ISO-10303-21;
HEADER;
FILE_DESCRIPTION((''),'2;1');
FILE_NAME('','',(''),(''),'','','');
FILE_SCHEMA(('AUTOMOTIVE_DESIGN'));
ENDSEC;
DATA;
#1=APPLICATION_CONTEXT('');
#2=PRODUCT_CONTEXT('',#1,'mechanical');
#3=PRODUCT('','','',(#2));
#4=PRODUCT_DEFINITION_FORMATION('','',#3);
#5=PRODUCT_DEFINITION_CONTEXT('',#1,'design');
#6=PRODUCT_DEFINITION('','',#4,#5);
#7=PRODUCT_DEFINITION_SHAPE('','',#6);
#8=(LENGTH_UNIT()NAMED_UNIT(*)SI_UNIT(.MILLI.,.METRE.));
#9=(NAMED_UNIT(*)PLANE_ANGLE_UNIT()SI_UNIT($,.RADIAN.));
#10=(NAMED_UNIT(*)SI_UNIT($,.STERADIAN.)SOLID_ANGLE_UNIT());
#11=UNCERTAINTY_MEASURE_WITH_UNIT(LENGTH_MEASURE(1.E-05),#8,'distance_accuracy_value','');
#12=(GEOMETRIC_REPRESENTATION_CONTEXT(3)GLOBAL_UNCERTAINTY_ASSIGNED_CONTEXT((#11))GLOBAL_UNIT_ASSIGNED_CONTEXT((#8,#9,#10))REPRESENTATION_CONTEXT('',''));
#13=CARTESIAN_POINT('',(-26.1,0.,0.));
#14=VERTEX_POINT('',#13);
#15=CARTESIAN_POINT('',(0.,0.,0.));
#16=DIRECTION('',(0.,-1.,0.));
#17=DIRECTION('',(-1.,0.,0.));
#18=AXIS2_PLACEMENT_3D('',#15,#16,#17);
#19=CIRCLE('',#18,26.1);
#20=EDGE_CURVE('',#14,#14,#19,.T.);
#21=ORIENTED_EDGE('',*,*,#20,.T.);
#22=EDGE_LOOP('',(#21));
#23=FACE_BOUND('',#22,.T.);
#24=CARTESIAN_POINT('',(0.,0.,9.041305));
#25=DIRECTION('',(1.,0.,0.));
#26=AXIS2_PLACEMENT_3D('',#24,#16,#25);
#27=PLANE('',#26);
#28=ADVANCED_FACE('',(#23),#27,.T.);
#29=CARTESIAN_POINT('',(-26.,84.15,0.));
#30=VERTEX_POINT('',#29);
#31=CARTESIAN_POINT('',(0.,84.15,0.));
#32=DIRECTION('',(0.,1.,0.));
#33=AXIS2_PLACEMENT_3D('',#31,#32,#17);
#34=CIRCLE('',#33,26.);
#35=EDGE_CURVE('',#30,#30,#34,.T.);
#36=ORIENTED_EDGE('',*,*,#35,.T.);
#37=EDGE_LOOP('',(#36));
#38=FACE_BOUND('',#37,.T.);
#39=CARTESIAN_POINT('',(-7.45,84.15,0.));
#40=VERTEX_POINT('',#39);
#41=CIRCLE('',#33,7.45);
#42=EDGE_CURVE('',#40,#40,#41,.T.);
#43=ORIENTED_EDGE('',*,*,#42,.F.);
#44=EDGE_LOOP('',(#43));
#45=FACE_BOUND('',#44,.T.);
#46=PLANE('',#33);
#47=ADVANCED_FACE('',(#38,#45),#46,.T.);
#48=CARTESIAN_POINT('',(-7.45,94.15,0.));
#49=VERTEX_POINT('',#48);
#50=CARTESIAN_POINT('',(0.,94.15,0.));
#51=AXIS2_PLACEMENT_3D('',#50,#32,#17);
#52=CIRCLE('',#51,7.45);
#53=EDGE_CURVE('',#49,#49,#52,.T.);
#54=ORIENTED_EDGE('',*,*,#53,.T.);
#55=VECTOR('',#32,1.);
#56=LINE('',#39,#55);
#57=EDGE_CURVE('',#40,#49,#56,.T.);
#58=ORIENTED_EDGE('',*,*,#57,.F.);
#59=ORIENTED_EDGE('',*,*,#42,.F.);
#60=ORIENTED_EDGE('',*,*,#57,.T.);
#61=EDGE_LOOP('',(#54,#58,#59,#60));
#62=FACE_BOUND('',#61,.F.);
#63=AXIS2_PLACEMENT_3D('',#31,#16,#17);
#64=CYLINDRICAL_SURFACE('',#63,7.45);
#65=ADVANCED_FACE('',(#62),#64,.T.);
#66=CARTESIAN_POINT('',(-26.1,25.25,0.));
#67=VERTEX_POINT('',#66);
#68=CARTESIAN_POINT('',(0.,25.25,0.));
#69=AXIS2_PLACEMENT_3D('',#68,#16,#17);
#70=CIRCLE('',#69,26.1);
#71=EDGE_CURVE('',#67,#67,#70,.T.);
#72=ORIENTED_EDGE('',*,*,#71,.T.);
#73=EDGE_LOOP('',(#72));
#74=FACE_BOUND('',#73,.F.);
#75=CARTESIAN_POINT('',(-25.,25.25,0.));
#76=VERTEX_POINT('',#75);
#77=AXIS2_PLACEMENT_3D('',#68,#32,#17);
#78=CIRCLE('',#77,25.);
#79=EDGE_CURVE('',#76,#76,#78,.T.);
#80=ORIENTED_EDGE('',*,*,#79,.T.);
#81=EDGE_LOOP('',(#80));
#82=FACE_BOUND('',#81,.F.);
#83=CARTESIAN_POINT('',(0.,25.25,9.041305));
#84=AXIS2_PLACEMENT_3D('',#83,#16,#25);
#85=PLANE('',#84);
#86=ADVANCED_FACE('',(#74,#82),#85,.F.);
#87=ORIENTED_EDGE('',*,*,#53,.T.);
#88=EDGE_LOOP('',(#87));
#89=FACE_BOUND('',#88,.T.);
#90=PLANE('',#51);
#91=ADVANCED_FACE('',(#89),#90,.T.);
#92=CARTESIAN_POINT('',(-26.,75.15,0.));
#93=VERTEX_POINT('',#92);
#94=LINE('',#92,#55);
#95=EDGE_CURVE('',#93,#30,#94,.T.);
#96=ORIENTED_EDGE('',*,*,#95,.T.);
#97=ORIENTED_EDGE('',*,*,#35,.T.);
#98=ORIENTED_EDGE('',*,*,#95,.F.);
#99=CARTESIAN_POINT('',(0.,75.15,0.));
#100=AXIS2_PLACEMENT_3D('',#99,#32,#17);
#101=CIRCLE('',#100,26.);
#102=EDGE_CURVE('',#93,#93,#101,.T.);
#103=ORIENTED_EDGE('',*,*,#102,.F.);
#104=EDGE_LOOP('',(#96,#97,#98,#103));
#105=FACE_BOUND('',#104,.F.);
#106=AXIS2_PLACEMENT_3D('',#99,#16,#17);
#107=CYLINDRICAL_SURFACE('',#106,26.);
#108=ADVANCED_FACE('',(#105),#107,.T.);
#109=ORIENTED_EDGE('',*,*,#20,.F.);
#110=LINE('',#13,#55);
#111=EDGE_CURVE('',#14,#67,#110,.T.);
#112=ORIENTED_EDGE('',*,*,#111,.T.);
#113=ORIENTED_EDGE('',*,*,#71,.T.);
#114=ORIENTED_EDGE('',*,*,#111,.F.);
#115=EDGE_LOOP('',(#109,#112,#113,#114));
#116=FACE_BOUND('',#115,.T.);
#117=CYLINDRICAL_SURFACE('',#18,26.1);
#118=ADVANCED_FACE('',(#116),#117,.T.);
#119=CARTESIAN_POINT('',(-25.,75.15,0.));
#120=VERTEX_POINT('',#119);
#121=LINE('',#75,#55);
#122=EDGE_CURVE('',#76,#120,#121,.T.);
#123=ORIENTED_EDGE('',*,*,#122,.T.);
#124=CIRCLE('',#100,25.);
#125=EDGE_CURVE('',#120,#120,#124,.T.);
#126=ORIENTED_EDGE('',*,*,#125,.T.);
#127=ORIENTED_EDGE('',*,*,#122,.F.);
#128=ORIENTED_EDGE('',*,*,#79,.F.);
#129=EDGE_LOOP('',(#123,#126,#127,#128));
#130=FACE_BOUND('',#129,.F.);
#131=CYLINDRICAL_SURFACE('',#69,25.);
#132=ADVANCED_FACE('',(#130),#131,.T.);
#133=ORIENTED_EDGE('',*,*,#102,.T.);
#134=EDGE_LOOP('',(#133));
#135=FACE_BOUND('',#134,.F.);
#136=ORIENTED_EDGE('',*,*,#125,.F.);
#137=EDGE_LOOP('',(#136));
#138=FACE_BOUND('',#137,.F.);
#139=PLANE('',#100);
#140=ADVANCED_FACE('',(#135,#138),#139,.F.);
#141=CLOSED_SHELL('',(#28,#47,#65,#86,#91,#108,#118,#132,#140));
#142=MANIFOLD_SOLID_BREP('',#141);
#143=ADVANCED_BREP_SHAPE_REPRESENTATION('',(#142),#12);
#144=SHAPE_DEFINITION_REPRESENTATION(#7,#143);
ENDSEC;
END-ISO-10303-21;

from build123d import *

# Parameters (mm, degrees)
F1_DEPTH = 25.25
F2_R     = 25
F3_DEPTH = 49.9
F4_R     = 26
F5_DEPTH = 9
F6_R     = 7.45
F7_DEPTH = 10


with BuildPart() as f1:
    # F0 (on Front) → F1 (new body)
    with BuildSketch(Plane.XZ):
        with BuildLine():
            Line((0, 0), (26.1, 0))
            ThreePointArc((26.1, 0), (0, 26.1), (-26.1, 0))
            Line((-26.1, 0), (0, 0))
        make_face()
        with BuildLine():
            ThreePointArc((-26.1, 0), (0, -26.1), (26.1, 0))
            Line((26.1, 0), (0, 0))
            Line((0, 0), (-26.1, 0))
        make_face()
    extrude(amount=-F1_DEPTH)

    # F2 (on face) → F3 (join)
    with BuildSketch(Plane(origin=(0, 25.25, 0), x_dir=(-1, 0, 0), z_dir=(0, 1, 0))):
        Circle(F2_R)
    extrude(amount=F3_DEPTH)

    # F4 (on face) → F5 (join)
    with BuildSketch(Plane(origin=(0, 75.15, 0), x_dir=(-1, 0, 0), z_dir=(0, 1, 0))):
        Circle(F4_R)
    extrude(amount=F5_DEPTH)

    # F6 (on face) → F7 (join)
    with BuildSketch(Plane(origin=(0, 84.15, 0), x_dir=(-1, 0, 0), z_dir=(0, 1, 0))):
        Circle(F6_R)
    extrude(amount=F7_DEPTH)


solid = f1.part
